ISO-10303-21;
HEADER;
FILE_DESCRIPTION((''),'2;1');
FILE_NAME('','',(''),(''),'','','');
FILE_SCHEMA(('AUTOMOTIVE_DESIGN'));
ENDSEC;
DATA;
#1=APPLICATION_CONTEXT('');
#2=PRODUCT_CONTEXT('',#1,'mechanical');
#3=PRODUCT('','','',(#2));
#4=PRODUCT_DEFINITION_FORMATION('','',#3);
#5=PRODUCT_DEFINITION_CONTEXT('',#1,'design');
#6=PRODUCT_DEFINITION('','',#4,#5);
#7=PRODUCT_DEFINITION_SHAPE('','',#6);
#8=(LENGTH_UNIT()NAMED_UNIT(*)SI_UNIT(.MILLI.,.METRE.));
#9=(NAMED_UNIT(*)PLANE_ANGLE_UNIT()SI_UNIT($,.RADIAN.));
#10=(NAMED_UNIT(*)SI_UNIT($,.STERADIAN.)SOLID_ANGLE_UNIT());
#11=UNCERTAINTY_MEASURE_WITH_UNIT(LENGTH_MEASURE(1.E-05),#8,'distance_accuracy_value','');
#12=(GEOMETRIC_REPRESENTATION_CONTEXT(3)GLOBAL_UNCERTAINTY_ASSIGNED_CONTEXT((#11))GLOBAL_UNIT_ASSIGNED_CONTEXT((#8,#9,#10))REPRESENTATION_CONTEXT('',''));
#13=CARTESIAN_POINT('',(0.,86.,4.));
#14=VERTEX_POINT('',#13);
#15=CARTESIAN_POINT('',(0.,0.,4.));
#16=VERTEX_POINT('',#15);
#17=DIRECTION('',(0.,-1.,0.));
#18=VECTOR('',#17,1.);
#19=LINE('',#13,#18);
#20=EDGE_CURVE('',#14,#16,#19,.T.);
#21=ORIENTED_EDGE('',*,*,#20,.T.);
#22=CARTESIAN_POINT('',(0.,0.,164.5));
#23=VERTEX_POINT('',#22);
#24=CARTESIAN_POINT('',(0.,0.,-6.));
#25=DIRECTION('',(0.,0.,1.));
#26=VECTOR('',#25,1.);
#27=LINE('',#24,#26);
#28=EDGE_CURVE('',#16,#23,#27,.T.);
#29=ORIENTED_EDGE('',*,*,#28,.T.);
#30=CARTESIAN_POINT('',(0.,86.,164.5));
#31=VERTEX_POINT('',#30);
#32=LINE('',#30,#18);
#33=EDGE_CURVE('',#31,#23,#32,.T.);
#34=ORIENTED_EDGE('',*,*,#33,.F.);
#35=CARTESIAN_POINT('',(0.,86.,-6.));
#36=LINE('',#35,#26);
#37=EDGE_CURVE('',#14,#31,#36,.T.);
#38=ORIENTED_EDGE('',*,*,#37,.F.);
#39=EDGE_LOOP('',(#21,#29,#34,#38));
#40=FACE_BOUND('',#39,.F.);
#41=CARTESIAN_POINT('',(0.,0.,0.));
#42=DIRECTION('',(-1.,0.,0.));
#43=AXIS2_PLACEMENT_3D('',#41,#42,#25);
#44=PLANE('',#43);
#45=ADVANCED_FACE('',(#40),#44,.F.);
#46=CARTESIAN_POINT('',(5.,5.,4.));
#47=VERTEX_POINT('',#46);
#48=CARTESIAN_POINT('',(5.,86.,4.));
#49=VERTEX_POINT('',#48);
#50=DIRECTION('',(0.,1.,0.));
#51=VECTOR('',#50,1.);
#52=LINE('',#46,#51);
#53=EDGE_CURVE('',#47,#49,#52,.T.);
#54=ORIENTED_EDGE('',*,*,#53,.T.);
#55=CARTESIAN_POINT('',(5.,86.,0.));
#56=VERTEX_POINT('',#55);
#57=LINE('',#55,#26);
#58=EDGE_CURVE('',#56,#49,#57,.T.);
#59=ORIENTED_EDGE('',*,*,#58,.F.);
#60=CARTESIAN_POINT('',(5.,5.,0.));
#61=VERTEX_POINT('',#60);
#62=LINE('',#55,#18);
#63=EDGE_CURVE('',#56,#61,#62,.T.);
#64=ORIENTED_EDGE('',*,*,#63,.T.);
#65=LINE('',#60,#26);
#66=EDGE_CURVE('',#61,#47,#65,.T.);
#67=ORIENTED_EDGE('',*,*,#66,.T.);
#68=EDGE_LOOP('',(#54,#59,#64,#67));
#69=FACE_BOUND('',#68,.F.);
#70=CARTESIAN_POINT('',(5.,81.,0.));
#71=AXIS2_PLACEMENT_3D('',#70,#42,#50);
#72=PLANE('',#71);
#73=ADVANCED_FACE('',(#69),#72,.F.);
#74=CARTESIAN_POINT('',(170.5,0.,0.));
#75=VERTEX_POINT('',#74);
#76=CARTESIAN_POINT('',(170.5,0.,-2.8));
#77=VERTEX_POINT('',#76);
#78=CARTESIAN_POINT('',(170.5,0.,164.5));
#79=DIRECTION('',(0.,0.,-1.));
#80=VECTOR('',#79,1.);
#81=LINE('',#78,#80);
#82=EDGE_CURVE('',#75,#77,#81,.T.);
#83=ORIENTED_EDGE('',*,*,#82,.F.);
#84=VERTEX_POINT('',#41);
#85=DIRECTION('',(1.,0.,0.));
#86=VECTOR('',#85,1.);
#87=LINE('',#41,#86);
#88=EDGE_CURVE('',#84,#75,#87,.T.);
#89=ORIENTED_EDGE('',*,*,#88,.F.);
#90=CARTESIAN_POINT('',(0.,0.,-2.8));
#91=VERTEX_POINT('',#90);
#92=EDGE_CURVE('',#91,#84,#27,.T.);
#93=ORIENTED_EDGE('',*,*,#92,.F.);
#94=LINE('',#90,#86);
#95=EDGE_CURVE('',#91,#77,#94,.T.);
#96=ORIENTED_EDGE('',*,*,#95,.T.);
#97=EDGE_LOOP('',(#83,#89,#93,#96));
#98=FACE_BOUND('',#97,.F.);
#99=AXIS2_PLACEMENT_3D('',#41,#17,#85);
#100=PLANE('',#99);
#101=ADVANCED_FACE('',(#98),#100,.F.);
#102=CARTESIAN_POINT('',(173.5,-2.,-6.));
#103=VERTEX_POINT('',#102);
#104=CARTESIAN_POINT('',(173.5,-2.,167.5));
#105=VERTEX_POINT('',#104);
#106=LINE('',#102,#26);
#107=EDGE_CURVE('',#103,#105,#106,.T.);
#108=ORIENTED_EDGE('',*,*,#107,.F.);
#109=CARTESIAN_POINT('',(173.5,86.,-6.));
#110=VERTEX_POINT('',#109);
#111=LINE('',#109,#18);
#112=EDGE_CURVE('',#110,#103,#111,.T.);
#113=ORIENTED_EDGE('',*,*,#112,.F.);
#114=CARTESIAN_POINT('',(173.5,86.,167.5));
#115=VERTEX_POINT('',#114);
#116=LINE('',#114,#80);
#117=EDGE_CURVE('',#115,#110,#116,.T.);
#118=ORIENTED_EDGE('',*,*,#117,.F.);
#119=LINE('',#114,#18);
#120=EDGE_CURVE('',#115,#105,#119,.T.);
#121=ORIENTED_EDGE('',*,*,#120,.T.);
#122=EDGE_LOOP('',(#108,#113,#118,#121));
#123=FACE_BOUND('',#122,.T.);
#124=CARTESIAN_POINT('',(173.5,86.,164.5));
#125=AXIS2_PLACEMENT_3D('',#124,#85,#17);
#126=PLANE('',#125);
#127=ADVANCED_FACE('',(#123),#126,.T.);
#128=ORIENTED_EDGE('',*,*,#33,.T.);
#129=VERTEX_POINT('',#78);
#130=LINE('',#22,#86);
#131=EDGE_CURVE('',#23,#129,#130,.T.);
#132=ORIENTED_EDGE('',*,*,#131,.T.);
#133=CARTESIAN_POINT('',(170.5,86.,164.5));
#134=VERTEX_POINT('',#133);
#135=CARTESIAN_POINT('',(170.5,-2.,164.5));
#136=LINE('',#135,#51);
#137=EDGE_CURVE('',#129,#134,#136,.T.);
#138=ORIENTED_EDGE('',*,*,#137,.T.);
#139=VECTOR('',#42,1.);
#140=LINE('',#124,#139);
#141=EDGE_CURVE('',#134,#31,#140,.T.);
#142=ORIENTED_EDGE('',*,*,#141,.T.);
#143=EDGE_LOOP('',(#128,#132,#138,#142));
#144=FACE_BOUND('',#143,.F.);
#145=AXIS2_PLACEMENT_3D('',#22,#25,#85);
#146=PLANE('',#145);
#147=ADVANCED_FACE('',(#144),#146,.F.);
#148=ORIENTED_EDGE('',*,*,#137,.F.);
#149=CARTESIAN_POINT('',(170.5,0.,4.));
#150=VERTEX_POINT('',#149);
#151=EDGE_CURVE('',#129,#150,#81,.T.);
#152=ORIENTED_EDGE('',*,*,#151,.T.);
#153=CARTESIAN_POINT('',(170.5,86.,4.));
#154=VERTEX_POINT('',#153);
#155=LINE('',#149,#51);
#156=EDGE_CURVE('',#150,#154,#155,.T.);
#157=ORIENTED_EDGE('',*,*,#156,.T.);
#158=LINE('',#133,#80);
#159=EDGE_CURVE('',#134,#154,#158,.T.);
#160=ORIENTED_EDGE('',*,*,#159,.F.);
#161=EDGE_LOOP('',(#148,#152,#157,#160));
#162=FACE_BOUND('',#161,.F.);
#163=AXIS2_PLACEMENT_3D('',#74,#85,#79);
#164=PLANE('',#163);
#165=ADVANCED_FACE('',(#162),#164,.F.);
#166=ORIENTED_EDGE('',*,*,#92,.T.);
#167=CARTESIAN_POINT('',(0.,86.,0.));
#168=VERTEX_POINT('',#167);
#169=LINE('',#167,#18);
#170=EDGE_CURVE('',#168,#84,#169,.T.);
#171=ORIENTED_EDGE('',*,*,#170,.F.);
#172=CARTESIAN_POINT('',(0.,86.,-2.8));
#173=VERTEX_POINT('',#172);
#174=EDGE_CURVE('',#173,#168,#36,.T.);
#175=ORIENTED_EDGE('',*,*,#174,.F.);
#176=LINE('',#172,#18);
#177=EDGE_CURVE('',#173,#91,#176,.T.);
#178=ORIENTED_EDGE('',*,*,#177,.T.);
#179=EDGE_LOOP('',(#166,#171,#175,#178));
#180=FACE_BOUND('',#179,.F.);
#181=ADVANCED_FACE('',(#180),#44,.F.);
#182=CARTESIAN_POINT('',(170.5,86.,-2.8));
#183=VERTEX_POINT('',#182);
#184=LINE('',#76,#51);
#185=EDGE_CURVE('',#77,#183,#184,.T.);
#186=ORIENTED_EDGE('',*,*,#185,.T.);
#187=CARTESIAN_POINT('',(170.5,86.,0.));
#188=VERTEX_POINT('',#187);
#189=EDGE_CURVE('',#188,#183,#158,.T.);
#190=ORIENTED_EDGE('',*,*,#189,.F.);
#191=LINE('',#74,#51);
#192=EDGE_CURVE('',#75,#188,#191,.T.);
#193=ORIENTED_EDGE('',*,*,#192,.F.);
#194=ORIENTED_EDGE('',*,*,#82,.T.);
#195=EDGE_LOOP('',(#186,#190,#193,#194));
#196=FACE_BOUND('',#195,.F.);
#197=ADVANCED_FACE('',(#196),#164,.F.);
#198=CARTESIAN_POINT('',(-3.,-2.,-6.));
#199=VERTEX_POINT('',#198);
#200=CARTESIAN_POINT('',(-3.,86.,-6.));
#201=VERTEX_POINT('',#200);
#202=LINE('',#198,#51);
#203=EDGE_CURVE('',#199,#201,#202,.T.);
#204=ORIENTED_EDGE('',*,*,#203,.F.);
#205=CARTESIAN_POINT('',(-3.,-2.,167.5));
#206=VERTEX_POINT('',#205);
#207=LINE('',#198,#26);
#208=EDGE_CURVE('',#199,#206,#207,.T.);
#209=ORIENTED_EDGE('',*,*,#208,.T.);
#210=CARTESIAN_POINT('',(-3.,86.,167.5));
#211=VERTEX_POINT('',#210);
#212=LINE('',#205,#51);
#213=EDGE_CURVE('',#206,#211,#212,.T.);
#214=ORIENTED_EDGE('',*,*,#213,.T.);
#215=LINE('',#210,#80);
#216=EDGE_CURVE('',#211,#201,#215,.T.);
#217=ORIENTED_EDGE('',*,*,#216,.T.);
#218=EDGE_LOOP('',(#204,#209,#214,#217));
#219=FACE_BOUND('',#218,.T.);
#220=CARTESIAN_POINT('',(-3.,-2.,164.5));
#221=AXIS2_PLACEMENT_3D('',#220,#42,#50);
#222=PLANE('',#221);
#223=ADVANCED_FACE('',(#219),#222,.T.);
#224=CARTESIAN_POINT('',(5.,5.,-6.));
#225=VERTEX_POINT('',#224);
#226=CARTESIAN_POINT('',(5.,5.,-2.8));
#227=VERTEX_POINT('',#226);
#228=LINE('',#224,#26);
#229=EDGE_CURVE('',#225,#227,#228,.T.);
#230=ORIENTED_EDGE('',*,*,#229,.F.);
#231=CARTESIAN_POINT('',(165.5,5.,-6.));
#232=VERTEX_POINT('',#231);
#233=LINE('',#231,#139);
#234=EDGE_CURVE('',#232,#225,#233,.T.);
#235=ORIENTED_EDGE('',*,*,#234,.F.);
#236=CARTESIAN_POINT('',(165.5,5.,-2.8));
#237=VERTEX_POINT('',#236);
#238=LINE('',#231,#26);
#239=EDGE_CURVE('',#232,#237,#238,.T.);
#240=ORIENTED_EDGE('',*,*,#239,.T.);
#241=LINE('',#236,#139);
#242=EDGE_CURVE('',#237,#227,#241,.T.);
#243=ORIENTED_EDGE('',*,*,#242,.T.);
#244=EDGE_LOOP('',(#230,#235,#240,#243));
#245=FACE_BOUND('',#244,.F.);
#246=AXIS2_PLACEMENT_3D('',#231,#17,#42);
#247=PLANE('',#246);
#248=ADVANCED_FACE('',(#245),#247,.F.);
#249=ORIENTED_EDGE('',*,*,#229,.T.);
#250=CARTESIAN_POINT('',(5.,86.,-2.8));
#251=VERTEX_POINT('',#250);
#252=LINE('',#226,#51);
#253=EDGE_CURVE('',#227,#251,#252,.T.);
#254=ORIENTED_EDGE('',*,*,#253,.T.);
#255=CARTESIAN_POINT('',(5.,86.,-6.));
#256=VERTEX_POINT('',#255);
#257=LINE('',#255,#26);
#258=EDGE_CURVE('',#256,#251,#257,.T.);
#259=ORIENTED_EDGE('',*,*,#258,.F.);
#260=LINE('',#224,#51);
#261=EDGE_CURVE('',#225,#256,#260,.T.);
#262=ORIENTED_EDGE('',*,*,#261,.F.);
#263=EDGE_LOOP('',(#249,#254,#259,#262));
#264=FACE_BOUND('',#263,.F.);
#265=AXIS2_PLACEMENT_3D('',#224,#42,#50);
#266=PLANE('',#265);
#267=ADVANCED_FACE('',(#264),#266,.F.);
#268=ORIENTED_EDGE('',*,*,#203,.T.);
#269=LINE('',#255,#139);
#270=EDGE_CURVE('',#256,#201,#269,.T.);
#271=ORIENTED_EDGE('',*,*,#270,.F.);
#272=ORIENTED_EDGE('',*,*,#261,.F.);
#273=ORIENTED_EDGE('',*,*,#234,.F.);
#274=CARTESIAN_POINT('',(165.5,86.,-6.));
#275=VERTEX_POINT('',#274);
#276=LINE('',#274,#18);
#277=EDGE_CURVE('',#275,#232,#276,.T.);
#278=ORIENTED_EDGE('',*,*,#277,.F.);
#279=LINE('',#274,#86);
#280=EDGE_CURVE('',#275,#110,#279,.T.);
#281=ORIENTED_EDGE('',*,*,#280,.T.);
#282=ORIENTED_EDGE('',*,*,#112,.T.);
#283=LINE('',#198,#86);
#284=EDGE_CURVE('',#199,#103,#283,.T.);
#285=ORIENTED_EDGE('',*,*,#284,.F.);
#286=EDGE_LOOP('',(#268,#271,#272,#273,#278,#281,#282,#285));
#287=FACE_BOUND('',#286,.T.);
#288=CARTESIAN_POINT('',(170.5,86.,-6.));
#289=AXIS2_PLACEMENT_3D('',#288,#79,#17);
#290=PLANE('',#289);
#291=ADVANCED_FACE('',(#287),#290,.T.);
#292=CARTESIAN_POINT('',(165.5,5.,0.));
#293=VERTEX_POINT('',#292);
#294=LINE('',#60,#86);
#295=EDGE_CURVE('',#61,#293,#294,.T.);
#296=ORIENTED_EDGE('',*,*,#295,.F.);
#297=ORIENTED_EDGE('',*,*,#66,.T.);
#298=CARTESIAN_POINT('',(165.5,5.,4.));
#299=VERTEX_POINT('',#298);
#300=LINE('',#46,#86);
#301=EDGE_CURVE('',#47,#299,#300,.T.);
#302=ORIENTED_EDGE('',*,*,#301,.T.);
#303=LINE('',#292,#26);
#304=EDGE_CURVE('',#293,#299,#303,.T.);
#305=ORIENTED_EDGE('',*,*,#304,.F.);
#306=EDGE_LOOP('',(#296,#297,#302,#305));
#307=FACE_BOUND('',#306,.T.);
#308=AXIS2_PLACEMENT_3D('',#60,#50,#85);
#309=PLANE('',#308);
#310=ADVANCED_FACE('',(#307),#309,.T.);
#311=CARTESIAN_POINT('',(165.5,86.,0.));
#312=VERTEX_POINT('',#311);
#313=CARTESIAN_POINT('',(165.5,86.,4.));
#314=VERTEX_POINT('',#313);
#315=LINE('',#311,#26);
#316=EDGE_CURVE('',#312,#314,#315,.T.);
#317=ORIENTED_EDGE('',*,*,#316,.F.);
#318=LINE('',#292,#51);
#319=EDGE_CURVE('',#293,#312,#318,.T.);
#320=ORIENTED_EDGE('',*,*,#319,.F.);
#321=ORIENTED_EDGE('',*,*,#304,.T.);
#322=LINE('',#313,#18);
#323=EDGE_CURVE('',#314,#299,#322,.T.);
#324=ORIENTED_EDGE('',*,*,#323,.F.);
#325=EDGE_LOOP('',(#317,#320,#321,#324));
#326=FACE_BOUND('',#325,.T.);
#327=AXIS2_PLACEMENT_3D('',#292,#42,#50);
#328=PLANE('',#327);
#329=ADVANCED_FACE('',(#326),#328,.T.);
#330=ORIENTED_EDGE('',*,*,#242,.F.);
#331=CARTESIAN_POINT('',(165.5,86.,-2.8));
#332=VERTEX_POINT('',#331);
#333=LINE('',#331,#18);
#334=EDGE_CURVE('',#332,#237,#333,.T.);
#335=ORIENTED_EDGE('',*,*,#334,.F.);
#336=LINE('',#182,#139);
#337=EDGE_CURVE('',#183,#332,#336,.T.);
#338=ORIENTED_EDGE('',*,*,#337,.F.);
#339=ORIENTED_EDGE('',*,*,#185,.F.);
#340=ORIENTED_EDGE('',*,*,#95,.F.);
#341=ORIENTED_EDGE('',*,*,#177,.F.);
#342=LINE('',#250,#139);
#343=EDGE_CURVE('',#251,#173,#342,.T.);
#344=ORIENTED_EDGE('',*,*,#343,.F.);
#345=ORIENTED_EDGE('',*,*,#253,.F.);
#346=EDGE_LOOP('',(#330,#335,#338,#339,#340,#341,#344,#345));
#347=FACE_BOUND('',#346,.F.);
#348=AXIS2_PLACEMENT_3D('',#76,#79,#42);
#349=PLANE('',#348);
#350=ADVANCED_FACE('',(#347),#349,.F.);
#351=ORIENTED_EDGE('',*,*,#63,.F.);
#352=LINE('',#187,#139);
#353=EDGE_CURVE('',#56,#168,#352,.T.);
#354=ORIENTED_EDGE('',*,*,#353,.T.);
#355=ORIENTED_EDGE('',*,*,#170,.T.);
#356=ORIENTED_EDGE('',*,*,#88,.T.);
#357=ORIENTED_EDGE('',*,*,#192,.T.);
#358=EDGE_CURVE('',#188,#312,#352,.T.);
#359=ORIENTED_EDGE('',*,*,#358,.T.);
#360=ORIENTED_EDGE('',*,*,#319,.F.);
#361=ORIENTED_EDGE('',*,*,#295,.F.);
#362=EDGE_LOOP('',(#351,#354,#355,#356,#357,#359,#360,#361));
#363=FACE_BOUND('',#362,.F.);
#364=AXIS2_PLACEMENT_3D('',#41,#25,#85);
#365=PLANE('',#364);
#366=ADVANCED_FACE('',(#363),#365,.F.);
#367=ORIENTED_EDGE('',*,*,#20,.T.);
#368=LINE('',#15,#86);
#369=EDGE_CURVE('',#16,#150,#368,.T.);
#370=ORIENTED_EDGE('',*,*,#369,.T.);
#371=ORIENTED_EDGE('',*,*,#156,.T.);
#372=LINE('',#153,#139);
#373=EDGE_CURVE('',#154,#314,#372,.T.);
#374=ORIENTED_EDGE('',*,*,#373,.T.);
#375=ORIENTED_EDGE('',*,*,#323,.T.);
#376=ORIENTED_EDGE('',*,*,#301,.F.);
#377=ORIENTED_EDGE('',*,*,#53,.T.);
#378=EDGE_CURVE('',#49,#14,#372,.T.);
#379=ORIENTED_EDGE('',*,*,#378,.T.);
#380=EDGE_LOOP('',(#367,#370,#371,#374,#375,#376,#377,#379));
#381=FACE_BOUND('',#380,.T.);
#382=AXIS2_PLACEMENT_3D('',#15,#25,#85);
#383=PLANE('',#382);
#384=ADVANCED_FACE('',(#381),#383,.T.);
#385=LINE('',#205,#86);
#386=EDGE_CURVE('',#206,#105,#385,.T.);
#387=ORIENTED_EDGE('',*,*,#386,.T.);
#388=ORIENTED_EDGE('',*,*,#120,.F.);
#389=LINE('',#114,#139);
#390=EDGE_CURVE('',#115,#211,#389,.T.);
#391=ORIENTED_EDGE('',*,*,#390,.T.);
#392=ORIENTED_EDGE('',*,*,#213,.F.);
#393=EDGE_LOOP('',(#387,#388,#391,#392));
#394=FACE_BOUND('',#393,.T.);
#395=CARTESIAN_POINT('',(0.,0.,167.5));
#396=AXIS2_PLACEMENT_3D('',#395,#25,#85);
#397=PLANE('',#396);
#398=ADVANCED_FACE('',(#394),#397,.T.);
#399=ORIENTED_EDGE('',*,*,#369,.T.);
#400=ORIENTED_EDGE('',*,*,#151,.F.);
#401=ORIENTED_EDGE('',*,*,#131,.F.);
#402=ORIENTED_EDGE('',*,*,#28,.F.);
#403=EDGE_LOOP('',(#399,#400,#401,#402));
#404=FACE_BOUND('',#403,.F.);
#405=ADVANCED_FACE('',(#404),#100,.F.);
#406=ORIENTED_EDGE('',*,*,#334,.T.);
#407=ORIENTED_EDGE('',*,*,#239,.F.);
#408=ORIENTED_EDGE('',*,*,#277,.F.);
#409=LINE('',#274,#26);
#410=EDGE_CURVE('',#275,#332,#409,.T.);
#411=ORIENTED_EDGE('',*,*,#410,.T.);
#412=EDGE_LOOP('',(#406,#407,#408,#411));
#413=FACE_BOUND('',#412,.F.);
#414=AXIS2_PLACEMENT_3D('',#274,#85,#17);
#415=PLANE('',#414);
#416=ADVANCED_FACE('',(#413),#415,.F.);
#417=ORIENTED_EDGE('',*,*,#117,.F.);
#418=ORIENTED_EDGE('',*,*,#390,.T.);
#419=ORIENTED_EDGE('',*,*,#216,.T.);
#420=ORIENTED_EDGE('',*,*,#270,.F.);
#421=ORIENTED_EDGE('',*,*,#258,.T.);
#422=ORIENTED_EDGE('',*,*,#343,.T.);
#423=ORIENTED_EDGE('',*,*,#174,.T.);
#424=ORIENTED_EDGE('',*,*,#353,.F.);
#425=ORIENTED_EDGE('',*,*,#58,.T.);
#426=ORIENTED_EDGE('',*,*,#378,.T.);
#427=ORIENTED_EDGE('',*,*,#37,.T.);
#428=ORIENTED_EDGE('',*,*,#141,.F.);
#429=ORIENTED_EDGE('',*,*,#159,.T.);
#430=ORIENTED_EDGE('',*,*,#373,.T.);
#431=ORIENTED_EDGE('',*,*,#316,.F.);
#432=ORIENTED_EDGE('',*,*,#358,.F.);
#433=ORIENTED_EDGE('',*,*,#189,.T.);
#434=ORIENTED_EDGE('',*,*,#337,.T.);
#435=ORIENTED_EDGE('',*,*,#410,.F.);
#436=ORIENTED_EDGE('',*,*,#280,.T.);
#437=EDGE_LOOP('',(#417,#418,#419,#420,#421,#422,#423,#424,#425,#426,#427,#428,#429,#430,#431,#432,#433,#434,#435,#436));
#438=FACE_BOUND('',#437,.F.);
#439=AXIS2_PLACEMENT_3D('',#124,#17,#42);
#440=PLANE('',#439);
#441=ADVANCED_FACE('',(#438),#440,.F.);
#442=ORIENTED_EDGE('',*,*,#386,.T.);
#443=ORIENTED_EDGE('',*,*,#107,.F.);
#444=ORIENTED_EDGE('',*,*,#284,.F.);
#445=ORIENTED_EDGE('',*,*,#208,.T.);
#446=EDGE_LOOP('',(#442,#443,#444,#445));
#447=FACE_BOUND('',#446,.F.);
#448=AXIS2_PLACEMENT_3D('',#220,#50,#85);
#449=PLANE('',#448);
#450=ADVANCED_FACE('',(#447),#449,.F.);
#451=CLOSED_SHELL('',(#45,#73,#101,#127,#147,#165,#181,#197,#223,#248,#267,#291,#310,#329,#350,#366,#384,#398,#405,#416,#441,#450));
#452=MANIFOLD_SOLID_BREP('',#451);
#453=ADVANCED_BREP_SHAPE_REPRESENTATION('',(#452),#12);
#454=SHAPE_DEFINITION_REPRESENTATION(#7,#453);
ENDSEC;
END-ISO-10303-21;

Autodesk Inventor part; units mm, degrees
ref_plane "YZ Plane" through (0, 0, 0) normal (1, 0, 0) x (0, 1, 0)
ref_plane "XZ Plane" through (0, 0, 0) normal (0, 1, 0) x (-1, 0, 0)
ref_plane "XY Plane" through (0, 0, 0) normal (0, 0, 1) x (1, 0, 0)
sketch "Sketch1" plane through (0, 0, 0) normal (0, 0, 1) x (1, 0, 0)
  line L0 (0, 0) -> (170.5, 0)
  line L1 (170.5, 0) -> (170.5, 86)
  line L2 (170.5, 86) -> (0, 86)
  line L3 (0, 86) -> (0, 0)
  line L4 (5, 5) -> (165.5, 5)
  line L5 (165.5, 5) -> (165.5, 81)
  line L6 (165.5, 81) -> (5, 81)
  line L7 (5, 81) -> (5, 5)
  line L8 (5, 81) -> (5, 86)
  line L9 (165.5, 81) -> (165.5, 86)
  dimension "d0" = 170.5
  dimension "d1" = 86
  dimension "d2" = 5
extrude "Extrusion1" add sketch "Sketch1" along normal blind 4 contours L3 L2 L8 L7 L4 L5 L9 L1 L0
sketch "Sketch2" plane through (0, 0, 0) normal (0, -1, 0) x (1, 0, 0)
  line L0 (0, 0) -> (170.5, 0) construction
  line L1 (170.5, 0) -> (0, 0) construction
  line L2 (0, 0) -> (0, -6) construction
  line L3 (0, -6) -> (170.5, -6) construction
  line L4 (170.5, -6) -> (170.5, 0) construction
  line L5 (170.5, -6) -> (0, -6) construction
  line L6 (0, -6) -> (0, 164.5) construction
  line L7 (0, 164.5) -> (170.5, 164.5) construction
  line L8 (170.5, 164.5) -> (170.5, -6) construction
  line L9 (170.5, -6) -> (0, -6)
  line L10 (0, -6) -> (0, 164.5)
  line L11 (0, 164.5) -> (170.5, 164.5)
  line L12 (170.5, 164.5) -> (170.5, -6)
  dimension "d5" = 6
  dimension "d6" = 170.5
  dimension "d7" = 170.5
extrude "Extrusion2" add sketch "Sketch2" along normal blind 2
sketch "Sketch3" plane through (170.5, 0, -6) normal (0, 0, -1) x (-1, 0, 0)
  line L0 (0, 86) -> (5, 86) projected
  line L1 (0, 0) -> (0, 86) projected
  line L2 (170.5, 0) -> (0, 0) projected
  line L3 (170.5, 86) -> (170.5, 0) projected
  line L4 (165.5, 86) -> (170.5, 86) projected
  line L5 (165.5, 5) -> (165.5, 86) projected
  line L6 (5, 5) -> (165.5, 5) projected
  line L7 (5, 86) -> (5, 5) projected
extrude "Extrusion3" add sketch "Sketch3" against normal blind 3.2
sketch "Sketch4" plane through (0, 0, 0) normal (-1, 0, 0) x (0, 0, 1)
  line L0 (0, 86) -> (0, 0) construction
  line L1 (4, 86) -> (4, 0) construction
  line L2 (0, 86) -> (4, 86) construction
  line L3 (-6, 86) -> (164.5, 86)
  line L4 (164.5, 86) -> (164.5, -2)
  line L5 (164.5, -2) -> (-6, -2)
  line L6 (-6, -2) -> (-6, 86)
  line L7 (0, 0) -> (-2.8, 0) projected
  line L8 (-2.8, 86) -> (-2.8, 0) projected
  line L9 (-6, 86) -> (-2.8, 86) projected
  line L10 (-6, 86) -> (-6, -2) projected
  line L11 (164.5, -2) -> (-6, -2) projected
  line L12 (164.5, 0) -> (164.5, -2) projected
  line L13 (164.5, 0) -> (4, 0) projected
extrude "Extrusion4" add sketch "Sketch4" along normal blind 3
sketch "Sketch5" plane through (170.5, 0, 0) normal (1, 0, 0) x (0, 0, -1)
  line L0 (6, -2) -> (-164.5, -2) projected
  line L1 (-164.5, 86) -> (-4, 86) projected
  line L2 (6, -2) -> (-164.5, -2)
  line L3 (-164.5, -2) -> (-164.5, 86)
  line L4 (-164.5, 86) -> (6, 86)
  line L5 (6, 86) -> (6, -2)
  point P0 (0, 0)
  point P1 (-4, 86)
extrude "Extrusion5" add sketch "Sketch5" along normal blind 3
sketch "Sketch6" plane through (0, 0, 164.5) normal (0, 0, 1) x (1, 0, 0)
  line L0 (-3, -2) -> (-3, 86) projected
  line L1 (173.5, 86) -> (173.5, -2) projected
  line L2 (-3, -2) -> (173.5, -2)
  line L3 (173.5, -2) -> (173.5, 86)
  line L4 (173.5, 86) -> (-3, 86)
  line L5 (-3, 86) -> (-3, -2)
  point P0 (0, 0)
  point P1 (173.5, -2)
  point P2 (-3, 86)
extrude "Extrusion6" add sketch "Sketch6" along normal blind 3
properties part number "Box"
